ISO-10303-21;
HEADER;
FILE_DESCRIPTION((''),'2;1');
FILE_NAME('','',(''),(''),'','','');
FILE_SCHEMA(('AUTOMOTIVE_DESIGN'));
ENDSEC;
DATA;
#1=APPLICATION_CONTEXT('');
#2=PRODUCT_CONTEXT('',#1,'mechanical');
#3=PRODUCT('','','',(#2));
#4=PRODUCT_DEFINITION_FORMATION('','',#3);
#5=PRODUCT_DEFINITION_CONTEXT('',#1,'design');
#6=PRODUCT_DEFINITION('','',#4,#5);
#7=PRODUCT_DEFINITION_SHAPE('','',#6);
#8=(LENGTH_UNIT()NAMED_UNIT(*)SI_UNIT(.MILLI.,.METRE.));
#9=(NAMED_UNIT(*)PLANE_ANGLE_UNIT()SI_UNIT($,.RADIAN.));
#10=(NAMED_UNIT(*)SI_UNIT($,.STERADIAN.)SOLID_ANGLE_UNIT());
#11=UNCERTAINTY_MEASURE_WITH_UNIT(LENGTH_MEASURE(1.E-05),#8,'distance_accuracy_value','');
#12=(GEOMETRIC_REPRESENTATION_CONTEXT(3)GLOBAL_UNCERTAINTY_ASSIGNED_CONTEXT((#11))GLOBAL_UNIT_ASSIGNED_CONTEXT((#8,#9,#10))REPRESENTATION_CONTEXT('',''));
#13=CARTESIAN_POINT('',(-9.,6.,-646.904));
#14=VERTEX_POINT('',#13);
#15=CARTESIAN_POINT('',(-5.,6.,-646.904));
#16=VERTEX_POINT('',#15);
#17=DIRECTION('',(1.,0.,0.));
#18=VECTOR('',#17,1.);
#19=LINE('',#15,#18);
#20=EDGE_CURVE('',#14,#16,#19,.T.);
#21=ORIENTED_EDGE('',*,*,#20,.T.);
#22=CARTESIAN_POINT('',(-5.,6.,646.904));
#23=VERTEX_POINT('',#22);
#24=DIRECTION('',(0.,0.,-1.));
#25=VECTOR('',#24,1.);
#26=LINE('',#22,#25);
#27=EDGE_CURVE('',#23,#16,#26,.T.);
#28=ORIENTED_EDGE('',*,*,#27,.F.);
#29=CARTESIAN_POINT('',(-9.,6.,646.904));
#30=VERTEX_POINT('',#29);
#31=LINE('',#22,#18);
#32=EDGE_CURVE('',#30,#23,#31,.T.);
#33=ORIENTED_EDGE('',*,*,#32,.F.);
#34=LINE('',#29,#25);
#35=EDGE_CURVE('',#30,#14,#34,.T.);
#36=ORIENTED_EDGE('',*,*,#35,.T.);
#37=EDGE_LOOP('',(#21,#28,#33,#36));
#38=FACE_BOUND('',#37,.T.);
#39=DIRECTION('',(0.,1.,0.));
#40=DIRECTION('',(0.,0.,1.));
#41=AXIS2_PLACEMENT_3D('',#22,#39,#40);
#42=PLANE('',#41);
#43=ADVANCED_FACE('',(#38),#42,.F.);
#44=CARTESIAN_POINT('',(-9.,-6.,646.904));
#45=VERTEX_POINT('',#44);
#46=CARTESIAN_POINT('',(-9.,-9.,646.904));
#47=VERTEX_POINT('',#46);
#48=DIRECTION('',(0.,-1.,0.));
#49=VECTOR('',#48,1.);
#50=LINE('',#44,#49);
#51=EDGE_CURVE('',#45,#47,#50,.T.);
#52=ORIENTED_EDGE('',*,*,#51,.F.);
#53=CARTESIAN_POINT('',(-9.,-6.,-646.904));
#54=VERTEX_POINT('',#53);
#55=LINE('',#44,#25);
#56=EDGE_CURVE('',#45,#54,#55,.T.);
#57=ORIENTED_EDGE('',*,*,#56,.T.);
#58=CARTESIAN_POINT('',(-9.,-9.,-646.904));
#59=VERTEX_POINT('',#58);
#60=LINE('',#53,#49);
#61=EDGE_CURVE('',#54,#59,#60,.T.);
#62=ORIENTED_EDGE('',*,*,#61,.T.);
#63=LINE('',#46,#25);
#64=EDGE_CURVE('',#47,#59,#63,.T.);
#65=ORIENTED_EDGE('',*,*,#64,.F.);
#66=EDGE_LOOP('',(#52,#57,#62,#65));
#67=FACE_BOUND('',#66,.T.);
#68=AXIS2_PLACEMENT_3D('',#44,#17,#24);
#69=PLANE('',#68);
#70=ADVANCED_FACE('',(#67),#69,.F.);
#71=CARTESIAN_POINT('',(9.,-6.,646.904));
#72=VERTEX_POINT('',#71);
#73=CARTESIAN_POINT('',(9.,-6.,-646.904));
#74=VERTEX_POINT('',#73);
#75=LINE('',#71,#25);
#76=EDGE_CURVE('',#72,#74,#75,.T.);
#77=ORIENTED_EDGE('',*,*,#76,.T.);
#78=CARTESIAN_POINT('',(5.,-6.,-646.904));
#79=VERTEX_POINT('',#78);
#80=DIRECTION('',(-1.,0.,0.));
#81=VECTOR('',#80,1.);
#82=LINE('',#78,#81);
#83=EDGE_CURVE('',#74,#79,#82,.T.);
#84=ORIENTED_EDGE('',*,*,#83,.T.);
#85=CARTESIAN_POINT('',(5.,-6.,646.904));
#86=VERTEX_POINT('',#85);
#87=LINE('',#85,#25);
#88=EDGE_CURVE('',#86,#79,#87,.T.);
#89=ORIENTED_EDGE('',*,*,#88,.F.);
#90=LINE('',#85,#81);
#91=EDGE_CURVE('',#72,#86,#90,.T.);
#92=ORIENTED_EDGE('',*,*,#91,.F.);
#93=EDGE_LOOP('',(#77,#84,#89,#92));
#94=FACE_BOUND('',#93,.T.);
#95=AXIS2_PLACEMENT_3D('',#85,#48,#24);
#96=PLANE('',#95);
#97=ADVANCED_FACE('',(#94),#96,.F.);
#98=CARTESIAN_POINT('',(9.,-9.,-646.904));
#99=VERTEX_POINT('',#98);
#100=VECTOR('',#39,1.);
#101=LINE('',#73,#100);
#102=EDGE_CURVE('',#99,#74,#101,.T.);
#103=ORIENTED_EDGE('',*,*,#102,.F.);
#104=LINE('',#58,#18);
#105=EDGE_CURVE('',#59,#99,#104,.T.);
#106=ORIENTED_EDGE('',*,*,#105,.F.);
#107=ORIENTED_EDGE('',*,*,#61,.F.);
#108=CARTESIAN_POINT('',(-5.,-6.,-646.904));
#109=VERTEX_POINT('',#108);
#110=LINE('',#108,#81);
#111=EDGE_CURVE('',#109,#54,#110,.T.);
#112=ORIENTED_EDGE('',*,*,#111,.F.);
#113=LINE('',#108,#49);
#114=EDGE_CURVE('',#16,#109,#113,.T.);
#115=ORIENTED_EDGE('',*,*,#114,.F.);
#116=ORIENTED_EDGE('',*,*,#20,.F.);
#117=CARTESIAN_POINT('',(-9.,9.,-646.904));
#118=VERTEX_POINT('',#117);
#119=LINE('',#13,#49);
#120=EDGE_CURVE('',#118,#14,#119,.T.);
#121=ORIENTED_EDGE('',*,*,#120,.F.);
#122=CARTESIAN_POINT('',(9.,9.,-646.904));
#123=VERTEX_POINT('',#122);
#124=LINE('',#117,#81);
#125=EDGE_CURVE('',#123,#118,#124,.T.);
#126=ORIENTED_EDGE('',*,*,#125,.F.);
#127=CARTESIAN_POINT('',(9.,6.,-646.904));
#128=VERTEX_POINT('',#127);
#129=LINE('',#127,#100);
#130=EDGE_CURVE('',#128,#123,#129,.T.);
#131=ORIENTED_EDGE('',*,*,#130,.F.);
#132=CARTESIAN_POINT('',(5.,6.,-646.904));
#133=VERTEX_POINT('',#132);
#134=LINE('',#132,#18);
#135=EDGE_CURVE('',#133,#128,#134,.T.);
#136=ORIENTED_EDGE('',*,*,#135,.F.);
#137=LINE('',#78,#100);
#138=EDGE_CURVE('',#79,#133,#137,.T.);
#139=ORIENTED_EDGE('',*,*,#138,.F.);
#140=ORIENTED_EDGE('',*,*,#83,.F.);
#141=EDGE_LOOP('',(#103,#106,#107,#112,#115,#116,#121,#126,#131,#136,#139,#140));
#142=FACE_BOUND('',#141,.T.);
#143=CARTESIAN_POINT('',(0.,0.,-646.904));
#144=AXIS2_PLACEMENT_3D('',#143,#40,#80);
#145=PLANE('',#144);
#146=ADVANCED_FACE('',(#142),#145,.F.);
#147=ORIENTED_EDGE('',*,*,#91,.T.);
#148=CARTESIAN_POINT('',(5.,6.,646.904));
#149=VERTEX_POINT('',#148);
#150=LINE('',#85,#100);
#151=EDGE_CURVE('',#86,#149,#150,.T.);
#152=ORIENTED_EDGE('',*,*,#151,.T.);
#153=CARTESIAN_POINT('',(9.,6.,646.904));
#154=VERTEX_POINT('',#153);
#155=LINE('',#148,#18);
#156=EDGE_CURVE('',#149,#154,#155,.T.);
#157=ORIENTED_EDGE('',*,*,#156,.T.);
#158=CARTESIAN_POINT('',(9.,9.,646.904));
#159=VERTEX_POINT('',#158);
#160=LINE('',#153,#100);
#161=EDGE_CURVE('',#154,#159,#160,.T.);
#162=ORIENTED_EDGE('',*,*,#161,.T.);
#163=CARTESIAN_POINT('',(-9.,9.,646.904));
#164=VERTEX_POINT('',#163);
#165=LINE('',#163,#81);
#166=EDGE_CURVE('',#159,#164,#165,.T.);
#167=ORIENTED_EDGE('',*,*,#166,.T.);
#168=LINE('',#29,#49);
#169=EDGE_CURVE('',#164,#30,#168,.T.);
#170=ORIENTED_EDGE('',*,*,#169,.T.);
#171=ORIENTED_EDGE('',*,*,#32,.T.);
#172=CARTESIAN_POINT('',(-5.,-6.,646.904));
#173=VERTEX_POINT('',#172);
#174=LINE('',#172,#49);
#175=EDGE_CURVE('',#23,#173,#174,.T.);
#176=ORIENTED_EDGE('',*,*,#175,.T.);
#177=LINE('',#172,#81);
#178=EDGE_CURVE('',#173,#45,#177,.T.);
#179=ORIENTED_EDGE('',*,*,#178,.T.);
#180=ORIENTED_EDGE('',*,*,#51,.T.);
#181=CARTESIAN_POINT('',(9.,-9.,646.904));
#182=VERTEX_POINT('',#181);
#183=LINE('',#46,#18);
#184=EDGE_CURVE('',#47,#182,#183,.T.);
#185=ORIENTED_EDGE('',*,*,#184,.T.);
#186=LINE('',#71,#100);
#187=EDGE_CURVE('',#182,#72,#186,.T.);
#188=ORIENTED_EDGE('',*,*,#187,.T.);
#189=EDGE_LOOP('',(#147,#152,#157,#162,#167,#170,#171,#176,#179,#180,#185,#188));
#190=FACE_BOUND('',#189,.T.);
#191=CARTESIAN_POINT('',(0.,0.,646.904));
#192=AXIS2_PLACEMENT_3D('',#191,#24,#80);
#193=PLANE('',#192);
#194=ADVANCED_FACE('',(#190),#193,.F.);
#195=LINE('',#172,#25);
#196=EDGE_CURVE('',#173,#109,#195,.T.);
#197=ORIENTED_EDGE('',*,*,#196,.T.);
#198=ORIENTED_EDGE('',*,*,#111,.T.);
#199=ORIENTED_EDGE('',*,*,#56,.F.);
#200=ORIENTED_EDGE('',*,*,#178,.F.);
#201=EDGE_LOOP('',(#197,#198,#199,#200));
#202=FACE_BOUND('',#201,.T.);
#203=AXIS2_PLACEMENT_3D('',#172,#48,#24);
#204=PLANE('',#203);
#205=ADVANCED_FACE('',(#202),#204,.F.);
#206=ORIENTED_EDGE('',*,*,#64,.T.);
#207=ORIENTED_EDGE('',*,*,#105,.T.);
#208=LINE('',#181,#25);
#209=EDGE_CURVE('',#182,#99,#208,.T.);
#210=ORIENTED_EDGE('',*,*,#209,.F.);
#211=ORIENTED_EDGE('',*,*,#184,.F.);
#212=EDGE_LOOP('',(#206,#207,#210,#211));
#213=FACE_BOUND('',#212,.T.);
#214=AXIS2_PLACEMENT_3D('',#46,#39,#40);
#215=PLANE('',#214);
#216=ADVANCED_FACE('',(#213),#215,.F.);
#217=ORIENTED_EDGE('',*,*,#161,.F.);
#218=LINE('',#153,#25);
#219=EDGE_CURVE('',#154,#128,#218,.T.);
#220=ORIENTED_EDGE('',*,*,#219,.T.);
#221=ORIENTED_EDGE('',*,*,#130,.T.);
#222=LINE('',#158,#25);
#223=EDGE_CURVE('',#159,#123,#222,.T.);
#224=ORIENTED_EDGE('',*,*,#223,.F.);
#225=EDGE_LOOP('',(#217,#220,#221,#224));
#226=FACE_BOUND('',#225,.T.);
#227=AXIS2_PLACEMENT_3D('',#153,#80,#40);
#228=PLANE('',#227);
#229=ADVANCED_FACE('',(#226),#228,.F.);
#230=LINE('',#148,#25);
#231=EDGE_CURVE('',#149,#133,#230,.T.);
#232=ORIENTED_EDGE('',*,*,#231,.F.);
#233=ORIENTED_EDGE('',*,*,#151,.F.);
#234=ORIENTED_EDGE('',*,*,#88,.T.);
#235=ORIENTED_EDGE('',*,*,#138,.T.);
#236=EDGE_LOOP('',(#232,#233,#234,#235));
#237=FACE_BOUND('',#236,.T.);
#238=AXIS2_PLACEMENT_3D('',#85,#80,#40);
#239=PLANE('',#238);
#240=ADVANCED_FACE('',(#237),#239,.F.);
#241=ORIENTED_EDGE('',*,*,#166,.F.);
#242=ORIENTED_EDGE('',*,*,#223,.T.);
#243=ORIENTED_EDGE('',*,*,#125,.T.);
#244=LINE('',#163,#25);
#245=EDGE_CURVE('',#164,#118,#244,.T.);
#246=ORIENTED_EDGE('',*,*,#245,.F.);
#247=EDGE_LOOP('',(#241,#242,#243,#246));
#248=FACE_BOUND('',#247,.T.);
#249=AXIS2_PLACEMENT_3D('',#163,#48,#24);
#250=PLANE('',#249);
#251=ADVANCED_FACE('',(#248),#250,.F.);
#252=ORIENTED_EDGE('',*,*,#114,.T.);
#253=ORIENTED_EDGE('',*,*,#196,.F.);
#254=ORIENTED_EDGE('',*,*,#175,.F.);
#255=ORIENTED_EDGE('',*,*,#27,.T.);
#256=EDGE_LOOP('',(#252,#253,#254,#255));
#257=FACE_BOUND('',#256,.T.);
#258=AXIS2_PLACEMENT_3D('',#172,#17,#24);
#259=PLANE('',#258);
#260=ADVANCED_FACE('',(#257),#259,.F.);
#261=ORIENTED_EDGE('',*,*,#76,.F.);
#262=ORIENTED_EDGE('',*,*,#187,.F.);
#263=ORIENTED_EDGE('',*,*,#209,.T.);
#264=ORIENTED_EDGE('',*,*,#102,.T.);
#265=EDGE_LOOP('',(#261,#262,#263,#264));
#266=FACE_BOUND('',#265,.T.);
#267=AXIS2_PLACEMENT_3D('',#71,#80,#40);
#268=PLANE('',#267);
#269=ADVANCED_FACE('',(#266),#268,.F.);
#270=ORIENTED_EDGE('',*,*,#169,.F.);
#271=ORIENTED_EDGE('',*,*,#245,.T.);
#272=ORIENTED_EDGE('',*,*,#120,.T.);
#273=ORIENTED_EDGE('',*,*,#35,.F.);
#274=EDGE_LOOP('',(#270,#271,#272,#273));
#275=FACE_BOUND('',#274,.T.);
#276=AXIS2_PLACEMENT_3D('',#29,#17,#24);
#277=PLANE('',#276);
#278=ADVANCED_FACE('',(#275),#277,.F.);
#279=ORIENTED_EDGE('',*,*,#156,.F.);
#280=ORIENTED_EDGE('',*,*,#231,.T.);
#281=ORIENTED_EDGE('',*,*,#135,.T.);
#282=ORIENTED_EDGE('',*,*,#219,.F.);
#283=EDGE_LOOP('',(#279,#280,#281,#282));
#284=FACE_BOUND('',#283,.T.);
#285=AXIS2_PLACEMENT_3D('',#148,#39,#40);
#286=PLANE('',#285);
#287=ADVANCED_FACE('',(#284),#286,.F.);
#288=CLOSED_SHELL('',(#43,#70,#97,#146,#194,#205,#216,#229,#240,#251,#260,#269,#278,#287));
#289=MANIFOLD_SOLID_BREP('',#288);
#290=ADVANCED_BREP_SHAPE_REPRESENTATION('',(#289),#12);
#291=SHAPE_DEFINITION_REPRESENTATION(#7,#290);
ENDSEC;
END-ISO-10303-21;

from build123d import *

# Parameters (mm, degrees)
BOSS_EXTRUDE1_DEPTH = 646.904


with BuildPart() as part:
    # Sketch1 → Boss-Extrude1 (new body)
    with BuildSketch(Plane.XY):
        Polygon((-5, -6), (-5, 6), (-9, 6), (-9, 9), (9, 9), (9, 6), (5, 6), (5, -6), (9, -6), (9, -9), (-9, -9), (-9, -6), align=None)
    extrude(amount=BOSS_EXTRUDE1_DEPTH)

    # Mirror1: part across plane


with BuildPart() as part_1:
    add(part.part)
    add(part.part.mirror(Plane(origin=(0, 0, 0), x_dir=(1, 0, 0), z_dir=(0, 0, -1))))


solid = part_1.part
